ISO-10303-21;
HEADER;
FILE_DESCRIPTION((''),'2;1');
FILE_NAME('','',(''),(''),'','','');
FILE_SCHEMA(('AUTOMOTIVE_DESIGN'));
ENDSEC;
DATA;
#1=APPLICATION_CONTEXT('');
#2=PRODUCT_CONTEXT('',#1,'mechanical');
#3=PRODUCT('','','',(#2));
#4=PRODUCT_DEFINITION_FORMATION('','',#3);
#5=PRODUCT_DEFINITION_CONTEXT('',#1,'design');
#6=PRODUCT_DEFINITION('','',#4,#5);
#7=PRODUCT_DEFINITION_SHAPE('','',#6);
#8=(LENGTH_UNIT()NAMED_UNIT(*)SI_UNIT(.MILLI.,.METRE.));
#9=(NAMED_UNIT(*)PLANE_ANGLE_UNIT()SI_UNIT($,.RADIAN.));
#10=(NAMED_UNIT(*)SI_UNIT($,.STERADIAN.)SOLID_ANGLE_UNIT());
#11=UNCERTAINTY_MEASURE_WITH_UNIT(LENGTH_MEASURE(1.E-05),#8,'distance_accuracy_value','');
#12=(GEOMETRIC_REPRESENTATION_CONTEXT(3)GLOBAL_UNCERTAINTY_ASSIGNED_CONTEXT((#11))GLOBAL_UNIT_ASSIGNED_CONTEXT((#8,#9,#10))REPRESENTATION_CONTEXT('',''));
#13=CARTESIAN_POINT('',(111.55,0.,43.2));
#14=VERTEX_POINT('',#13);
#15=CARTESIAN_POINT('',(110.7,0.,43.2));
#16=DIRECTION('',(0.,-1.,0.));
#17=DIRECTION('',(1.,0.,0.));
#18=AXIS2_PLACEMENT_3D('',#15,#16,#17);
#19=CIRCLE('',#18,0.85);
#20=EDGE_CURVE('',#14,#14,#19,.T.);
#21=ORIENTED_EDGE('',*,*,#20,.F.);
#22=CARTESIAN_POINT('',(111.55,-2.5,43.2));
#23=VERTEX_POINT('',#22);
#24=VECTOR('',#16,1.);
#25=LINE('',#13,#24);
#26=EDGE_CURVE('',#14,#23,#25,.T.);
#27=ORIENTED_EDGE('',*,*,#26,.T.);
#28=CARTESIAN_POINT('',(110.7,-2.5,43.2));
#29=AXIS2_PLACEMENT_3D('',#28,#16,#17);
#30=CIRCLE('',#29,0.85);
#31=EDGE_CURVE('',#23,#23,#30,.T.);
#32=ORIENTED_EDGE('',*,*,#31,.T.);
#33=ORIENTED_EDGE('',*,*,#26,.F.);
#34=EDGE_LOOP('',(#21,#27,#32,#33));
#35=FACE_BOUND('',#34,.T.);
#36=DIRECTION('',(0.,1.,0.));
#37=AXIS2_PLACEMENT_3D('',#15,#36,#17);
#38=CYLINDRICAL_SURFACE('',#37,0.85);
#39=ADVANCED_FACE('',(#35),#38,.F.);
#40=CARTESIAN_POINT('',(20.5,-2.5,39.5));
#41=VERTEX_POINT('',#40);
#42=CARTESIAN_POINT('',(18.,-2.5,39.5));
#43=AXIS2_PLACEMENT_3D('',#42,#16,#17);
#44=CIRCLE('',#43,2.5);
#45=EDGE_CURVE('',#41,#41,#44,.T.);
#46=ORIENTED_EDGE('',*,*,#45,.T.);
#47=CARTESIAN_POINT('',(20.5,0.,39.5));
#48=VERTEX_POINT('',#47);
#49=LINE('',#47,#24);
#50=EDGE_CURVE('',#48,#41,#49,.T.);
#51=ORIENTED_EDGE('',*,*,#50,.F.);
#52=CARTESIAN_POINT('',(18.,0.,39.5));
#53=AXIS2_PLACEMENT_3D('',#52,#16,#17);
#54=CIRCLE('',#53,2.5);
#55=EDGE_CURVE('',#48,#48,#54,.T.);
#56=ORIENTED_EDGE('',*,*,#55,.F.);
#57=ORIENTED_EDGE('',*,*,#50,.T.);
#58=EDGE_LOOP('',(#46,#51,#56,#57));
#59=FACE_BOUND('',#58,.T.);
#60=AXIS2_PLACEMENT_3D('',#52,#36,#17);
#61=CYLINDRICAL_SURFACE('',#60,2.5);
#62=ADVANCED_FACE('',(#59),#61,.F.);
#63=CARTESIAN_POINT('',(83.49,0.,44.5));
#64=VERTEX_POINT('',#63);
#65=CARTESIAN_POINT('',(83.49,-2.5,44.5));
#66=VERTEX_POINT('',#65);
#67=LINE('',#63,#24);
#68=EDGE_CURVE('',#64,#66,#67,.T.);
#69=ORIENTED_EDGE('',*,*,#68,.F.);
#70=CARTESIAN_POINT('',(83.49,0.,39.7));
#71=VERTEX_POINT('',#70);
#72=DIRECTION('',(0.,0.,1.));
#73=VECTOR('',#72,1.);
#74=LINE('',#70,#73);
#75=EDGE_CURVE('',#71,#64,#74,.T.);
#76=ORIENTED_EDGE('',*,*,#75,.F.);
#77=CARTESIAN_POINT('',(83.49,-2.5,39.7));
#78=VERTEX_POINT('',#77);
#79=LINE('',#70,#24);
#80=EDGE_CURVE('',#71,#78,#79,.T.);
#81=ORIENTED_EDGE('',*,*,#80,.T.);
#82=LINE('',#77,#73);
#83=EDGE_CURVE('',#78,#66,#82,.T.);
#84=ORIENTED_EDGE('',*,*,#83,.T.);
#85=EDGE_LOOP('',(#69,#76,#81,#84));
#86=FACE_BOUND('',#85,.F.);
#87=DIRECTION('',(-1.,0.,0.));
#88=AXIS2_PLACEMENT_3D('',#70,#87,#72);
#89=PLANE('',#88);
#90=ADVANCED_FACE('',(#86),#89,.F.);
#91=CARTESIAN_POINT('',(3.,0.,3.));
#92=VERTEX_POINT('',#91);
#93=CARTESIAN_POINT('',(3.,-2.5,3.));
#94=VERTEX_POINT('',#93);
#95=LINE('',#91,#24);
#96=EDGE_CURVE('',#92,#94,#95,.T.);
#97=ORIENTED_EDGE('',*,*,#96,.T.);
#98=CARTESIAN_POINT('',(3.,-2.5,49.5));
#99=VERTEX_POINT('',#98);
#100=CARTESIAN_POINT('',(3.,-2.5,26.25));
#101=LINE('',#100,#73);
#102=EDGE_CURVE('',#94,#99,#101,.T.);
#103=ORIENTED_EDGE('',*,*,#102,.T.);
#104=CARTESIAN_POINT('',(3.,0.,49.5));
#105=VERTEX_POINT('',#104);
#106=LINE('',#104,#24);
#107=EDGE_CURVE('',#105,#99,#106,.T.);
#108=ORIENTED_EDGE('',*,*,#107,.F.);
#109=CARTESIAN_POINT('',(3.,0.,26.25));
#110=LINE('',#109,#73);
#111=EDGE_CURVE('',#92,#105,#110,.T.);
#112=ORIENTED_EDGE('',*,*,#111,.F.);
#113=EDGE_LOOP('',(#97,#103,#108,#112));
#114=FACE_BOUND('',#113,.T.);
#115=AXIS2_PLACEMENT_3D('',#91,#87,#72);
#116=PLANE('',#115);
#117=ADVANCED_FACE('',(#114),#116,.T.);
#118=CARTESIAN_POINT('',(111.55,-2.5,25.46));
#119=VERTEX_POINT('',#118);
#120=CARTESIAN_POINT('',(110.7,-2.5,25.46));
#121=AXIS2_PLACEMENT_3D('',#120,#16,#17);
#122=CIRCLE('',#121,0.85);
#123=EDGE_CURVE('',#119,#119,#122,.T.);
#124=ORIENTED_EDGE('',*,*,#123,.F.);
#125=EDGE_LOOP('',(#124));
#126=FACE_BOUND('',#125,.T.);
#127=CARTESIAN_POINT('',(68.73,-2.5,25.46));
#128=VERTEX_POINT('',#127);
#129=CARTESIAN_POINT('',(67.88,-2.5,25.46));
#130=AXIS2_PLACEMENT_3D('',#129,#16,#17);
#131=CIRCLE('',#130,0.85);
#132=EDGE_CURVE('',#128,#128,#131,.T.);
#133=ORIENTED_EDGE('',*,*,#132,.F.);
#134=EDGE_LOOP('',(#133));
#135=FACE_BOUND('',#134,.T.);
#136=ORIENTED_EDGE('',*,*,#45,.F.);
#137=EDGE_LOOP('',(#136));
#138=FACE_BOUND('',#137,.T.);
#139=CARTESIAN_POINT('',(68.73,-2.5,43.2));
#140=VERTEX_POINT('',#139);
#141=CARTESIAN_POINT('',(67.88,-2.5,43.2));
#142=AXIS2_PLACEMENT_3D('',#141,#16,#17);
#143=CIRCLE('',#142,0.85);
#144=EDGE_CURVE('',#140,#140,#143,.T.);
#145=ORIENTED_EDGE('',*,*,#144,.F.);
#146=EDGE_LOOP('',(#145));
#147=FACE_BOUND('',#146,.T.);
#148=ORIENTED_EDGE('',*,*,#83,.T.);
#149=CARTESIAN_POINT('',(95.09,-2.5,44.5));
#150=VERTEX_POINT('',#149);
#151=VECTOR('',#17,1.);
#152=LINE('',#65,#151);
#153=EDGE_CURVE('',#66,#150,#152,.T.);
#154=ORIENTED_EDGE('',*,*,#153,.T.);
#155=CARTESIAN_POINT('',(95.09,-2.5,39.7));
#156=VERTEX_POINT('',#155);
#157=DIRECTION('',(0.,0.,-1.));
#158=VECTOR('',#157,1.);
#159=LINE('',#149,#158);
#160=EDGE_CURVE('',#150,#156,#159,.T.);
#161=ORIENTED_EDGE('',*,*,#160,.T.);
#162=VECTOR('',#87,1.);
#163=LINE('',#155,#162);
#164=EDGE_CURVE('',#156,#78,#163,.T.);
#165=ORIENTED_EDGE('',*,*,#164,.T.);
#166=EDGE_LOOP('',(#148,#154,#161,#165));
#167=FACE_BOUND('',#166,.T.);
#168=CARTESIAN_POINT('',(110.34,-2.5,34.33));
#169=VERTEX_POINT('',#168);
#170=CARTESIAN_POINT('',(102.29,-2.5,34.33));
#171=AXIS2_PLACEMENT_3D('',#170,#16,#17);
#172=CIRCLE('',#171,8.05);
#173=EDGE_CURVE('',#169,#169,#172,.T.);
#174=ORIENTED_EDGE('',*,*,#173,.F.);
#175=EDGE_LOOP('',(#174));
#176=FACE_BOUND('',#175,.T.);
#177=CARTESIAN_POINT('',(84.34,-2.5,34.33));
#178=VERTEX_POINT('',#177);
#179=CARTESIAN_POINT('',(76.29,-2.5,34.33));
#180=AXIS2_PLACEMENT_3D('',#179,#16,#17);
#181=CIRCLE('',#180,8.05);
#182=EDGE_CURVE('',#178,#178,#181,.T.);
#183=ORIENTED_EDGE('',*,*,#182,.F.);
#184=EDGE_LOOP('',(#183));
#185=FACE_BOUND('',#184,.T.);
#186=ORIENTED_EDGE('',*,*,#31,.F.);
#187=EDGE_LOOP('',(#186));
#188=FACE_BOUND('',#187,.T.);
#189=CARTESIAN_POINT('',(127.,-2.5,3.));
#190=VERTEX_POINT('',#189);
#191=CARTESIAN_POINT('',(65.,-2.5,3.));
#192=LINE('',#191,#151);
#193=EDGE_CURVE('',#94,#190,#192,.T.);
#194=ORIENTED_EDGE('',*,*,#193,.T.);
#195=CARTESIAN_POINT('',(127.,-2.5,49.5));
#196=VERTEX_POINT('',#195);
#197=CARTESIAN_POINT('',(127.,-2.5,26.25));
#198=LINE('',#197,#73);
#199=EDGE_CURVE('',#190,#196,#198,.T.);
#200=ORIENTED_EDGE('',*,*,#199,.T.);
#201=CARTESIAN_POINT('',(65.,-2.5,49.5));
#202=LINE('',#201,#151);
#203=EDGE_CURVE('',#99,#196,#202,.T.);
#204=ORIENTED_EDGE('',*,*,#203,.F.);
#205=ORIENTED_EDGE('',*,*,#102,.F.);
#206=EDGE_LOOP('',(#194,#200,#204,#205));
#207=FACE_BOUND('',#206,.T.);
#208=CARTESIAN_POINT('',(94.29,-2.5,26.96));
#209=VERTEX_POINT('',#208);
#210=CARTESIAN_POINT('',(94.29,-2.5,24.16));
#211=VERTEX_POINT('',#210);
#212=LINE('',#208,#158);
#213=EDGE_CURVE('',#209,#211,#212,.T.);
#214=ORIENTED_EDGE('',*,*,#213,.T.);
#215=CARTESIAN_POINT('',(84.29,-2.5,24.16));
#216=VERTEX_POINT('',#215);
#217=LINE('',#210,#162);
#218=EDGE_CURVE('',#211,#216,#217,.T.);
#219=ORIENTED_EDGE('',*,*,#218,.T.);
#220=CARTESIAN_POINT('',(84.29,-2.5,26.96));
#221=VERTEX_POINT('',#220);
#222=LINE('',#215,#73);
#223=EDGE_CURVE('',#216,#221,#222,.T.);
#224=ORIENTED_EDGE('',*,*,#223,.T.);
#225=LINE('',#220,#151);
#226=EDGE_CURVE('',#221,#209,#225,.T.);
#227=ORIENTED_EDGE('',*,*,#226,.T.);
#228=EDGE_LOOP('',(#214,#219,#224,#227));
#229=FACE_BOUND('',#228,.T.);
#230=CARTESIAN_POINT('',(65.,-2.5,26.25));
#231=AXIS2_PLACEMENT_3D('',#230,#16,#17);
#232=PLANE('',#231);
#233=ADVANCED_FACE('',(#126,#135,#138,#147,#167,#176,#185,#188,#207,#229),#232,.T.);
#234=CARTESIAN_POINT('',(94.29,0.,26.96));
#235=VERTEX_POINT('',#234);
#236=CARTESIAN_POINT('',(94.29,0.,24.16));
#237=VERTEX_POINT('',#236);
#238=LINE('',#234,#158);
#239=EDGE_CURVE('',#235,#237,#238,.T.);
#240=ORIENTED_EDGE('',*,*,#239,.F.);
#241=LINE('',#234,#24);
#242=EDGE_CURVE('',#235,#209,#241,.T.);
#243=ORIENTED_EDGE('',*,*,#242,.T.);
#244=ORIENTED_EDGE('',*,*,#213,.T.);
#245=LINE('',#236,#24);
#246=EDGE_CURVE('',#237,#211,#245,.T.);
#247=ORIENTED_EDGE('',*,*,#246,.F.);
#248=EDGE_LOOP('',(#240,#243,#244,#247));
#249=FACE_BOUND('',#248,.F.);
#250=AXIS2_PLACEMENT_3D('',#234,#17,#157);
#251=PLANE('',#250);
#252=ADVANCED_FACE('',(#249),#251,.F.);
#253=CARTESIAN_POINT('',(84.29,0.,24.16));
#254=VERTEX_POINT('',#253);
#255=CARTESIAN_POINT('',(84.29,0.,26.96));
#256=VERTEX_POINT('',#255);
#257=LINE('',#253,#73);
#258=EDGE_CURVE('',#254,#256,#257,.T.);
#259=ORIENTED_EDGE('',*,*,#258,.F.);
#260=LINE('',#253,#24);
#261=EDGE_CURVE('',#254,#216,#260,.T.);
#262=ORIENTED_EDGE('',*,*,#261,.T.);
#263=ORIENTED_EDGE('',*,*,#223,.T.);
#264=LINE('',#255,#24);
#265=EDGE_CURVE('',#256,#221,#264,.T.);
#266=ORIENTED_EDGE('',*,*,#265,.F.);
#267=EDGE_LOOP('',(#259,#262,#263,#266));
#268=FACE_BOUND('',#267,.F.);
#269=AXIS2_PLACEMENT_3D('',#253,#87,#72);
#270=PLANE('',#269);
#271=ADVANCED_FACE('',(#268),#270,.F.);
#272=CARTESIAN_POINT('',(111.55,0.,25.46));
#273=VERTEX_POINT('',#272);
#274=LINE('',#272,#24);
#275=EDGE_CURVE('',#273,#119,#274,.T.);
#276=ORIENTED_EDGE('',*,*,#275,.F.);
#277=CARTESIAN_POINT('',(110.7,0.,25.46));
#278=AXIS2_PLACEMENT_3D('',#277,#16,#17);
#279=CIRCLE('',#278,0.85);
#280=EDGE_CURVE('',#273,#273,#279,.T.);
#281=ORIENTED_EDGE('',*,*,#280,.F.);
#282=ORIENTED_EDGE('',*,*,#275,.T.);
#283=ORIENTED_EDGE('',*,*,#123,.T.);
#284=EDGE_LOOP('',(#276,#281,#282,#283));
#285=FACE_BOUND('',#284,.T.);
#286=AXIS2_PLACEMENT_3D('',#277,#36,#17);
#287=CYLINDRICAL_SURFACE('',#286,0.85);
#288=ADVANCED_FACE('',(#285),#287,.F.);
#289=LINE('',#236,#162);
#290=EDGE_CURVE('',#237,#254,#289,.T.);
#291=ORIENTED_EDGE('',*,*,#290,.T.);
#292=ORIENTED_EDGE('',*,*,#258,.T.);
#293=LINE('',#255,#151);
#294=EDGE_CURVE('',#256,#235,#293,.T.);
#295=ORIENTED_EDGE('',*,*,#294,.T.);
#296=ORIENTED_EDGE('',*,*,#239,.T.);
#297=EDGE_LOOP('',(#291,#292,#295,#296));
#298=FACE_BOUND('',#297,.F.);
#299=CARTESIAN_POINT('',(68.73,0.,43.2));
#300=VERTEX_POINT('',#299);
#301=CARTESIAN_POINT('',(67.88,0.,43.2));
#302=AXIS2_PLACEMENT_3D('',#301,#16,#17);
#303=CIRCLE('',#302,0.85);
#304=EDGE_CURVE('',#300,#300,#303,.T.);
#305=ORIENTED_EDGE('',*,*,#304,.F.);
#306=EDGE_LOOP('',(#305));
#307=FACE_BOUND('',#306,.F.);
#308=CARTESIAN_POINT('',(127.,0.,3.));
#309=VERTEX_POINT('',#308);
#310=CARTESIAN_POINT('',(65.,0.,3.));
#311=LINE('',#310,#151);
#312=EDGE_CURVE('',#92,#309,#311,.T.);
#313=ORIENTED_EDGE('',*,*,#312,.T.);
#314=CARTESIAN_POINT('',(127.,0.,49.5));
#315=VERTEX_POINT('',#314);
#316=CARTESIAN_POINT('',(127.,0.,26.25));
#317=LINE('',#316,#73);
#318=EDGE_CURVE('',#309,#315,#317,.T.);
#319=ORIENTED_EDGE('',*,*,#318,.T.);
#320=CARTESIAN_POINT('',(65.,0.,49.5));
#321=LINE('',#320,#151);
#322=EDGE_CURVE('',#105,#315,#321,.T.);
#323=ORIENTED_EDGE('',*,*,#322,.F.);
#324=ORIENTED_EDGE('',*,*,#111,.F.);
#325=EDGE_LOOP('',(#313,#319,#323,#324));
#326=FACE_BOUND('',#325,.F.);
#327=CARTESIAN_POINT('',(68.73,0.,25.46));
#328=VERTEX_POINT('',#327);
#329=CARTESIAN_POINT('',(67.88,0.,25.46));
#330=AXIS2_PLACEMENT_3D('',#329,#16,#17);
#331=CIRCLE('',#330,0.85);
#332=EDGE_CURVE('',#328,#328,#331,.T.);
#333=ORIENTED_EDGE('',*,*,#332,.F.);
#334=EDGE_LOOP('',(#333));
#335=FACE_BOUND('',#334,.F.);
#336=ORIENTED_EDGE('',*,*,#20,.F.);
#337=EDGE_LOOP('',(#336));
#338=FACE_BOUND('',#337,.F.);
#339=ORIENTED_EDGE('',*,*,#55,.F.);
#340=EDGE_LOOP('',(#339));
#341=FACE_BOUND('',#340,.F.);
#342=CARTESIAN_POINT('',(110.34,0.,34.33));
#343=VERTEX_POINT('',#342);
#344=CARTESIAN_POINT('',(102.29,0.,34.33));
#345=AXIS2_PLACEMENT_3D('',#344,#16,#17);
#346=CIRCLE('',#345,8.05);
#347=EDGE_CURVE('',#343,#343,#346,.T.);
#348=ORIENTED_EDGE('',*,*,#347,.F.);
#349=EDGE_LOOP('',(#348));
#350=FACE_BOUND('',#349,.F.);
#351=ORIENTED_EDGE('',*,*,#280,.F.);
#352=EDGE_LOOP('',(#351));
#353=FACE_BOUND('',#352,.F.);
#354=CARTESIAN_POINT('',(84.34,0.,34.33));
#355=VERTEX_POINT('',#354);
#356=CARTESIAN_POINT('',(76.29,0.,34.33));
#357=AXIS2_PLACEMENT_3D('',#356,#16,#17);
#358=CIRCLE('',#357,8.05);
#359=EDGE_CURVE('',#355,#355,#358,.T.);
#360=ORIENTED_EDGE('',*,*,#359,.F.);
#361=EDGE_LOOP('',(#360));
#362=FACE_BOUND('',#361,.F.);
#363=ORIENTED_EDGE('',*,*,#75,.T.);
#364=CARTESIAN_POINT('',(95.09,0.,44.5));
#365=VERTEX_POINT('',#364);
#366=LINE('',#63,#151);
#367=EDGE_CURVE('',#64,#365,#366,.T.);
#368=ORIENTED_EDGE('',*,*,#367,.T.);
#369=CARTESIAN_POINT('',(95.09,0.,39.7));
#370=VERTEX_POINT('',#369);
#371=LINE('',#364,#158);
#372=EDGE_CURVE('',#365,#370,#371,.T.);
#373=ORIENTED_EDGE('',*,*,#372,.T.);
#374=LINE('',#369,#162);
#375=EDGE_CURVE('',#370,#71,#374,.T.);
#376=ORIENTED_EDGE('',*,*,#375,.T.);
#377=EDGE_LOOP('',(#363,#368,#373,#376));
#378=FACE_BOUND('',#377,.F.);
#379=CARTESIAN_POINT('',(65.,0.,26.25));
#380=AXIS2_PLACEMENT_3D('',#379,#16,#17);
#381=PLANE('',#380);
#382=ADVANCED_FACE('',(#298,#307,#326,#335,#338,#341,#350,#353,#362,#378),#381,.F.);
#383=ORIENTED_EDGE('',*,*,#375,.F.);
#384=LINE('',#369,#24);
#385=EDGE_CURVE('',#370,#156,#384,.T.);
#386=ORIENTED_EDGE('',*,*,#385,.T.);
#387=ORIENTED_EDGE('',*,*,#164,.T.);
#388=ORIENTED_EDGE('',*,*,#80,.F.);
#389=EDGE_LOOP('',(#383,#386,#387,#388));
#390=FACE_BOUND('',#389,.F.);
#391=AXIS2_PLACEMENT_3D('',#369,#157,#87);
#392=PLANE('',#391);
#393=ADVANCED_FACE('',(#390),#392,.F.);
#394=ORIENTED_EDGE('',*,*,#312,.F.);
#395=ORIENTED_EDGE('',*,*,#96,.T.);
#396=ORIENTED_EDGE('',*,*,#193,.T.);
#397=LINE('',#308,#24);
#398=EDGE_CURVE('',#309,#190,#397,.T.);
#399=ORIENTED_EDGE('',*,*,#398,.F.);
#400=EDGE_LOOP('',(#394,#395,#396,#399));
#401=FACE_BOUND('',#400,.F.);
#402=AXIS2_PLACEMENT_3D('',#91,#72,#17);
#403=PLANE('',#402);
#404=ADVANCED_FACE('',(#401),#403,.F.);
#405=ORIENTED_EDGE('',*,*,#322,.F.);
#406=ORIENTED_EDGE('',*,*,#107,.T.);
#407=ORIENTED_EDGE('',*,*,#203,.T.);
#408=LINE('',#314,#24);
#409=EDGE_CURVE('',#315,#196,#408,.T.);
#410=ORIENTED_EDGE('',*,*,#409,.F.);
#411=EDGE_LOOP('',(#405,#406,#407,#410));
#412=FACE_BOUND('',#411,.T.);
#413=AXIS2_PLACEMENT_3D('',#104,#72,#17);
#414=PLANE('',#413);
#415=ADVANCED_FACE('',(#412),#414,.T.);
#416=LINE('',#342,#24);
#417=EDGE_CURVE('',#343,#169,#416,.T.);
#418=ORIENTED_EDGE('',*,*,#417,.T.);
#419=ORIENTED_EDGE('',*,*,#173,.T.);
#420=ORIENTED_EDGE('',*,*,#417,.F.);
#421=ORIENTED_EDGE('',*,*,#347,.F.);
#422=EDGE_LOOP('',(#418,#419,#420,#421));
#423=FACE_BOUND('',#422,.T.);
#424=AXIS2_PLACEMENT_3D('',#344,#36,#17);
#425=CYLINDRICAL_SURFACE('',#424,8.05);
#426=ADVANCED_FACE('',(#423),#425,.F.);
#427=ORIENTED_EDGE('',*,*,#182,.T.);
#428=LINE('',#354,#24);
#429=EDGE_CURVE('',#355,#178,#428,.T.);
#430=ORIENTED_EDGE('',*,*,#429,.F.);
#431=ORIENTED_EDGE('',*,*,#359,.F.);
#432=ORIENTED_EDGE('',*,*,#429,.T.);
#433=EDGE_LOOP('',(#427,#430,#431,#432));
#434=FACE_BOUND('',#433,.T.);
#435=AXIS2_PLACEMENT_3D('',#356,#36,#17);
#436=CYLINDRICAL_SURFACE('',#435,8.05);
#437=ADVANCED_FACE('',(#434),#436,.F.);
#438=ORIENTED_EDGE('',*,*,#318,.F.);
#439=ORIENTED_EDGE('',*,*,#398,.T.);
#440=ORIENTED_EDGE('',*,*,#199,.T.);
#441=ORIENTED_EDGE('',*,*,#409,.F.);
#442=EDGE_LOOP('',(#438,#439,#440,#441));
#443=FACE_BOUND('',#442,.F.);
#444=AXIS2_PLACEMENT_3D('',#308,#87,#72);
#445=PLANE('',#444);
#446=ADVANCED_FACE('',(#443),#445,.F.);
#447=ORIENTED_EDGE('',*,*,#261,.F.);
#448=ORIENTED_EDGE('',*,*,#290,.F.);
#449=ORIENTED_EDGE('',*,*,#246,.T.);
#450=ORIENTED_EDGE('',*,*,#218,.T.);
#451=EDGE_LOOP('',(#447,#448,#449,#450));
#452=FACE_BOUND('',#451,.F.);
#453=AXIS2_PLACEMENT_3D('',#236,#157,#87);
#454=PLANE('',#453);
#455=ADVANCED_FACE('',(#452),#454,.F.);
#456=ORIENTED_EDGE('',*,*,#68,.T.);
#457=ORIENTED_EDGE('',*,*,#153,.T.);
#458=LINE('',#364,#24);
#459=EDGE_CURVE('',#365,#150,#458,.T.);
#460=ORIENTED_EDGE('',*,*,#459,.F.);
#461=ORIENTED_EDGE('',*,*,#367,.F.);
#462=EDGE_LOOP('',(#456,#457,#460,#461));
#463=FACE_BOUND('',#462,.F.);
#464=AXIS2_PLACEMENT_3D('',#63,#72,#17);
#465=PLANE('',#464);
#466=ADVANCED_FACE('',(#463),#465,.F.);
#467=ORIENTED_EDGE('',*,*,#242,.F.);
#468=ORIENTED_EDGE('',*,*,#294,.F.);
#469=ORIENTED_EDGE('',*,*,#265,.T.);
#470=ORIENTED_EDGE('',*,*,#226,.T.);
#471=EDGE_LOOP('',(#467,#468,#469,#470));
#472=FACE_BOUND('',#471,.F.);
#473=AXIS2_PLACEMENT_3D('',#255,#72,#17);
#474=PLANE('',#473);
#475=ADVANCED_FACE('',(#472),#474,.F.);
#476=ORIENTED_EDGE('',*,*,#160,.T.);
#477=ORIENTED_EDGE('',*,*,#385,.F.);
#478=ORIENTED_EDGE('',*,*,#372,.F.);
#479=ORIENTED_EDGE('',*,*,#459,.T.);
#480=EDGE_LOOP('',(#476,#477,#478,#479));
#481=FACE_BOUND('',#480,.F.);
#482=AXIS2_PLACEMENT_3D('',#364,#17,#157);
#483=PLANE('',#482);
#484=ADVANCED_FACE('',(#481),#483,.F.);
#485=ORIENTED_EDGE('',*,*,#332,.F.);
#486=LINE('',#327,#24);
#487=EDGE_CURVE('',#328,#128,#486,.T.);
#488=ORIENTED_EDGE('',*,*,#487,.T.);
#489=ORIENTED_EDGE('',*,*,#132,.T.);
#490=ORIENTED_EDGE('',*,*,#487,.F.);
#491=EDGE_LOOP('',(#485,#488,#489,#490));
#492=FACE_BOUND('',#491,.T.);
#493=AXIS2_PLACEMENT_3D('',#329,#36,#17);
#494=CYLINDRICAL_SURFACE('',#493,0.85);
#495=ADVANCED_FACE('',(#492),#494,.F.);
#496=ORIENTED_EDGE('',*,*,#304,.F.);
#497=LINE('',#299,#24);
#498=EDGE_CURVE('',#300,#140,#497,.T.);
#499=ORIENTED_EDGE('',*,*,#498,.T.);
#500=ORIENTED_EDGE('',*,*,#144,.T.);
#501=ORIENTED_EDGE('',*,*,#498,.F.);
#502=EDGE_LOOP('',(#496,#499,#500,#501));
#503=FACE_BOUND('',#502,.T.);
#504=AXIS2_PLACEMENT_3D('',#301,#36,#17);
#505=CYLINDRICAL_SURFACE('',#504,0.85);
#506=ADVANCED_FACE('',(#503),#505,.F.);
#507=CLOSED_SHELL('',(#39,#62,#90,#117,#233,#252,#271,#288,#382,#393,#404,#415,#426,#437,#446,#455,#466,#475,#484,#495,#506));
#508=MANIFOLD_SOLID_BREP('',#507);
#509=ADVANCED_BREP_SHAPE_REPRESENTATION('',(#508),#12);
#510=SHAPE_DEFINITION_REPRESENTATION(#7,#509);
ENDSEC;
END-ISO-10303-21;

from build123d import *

# Parameters (mm, degrees)
F0_W     = 124
F0_H     = 46.5
F0_R     = 0.85
F0_R_2   = 2.5
F0_R_3   = 8.05
F1_DEPTH = 2.5


with BuildPart() as f1:
    # F0 (on Front) → F1 (new body)
    with BuildSketch(Plane.XZ):
        with Locations((65, 26.25)):
            Rectangle(F0_W, F0_H)
        with Locations((67.88, 25.46)):
            Circle(F0_R, mode=Mode.SUBTRACT)
        Polygon((84.29, 24.16), (84.29, 26.96), (89.29, 26.96), (94.29, 26.96), (94.29, 24.16), (89.29, 24.16), align=None, mode=Mode.SUBTRACT)
        with Locations((110.7, 25.46)):
            Circle(F0_R, mode=Mode.SUBTRACT)
        with Locations((18, 39.5)):
            Circle(F0_R_2, mode=Mode.SUBTRACT)
        with Locations((76.29, 34.33)):
            Circle(F0_R_3, mode=Mode.SUBTRACT)
        with Locations((102.29, 34.33)):
            Circle(F0_R_3, mode=Mode.SUBTRACT)
        with Locations((67.88, 43.2)):
            Circle(F0_R, mode=Mode.SUBTRACT)
        Polygon((83.49, 39.7), (83.49, 44.5), (89.29, 44.5), (95.09, 44.5), (95.09, 39.7), (89.29, 39.7), align=None, mode=Mode.SUBTRACT)
        with Locations((110.7, 43.2)):
            Circle(F0_R, mode=Mode.SUBTRACT)
    extrude(amount=F1_DEPTH)


solid = f1.part
